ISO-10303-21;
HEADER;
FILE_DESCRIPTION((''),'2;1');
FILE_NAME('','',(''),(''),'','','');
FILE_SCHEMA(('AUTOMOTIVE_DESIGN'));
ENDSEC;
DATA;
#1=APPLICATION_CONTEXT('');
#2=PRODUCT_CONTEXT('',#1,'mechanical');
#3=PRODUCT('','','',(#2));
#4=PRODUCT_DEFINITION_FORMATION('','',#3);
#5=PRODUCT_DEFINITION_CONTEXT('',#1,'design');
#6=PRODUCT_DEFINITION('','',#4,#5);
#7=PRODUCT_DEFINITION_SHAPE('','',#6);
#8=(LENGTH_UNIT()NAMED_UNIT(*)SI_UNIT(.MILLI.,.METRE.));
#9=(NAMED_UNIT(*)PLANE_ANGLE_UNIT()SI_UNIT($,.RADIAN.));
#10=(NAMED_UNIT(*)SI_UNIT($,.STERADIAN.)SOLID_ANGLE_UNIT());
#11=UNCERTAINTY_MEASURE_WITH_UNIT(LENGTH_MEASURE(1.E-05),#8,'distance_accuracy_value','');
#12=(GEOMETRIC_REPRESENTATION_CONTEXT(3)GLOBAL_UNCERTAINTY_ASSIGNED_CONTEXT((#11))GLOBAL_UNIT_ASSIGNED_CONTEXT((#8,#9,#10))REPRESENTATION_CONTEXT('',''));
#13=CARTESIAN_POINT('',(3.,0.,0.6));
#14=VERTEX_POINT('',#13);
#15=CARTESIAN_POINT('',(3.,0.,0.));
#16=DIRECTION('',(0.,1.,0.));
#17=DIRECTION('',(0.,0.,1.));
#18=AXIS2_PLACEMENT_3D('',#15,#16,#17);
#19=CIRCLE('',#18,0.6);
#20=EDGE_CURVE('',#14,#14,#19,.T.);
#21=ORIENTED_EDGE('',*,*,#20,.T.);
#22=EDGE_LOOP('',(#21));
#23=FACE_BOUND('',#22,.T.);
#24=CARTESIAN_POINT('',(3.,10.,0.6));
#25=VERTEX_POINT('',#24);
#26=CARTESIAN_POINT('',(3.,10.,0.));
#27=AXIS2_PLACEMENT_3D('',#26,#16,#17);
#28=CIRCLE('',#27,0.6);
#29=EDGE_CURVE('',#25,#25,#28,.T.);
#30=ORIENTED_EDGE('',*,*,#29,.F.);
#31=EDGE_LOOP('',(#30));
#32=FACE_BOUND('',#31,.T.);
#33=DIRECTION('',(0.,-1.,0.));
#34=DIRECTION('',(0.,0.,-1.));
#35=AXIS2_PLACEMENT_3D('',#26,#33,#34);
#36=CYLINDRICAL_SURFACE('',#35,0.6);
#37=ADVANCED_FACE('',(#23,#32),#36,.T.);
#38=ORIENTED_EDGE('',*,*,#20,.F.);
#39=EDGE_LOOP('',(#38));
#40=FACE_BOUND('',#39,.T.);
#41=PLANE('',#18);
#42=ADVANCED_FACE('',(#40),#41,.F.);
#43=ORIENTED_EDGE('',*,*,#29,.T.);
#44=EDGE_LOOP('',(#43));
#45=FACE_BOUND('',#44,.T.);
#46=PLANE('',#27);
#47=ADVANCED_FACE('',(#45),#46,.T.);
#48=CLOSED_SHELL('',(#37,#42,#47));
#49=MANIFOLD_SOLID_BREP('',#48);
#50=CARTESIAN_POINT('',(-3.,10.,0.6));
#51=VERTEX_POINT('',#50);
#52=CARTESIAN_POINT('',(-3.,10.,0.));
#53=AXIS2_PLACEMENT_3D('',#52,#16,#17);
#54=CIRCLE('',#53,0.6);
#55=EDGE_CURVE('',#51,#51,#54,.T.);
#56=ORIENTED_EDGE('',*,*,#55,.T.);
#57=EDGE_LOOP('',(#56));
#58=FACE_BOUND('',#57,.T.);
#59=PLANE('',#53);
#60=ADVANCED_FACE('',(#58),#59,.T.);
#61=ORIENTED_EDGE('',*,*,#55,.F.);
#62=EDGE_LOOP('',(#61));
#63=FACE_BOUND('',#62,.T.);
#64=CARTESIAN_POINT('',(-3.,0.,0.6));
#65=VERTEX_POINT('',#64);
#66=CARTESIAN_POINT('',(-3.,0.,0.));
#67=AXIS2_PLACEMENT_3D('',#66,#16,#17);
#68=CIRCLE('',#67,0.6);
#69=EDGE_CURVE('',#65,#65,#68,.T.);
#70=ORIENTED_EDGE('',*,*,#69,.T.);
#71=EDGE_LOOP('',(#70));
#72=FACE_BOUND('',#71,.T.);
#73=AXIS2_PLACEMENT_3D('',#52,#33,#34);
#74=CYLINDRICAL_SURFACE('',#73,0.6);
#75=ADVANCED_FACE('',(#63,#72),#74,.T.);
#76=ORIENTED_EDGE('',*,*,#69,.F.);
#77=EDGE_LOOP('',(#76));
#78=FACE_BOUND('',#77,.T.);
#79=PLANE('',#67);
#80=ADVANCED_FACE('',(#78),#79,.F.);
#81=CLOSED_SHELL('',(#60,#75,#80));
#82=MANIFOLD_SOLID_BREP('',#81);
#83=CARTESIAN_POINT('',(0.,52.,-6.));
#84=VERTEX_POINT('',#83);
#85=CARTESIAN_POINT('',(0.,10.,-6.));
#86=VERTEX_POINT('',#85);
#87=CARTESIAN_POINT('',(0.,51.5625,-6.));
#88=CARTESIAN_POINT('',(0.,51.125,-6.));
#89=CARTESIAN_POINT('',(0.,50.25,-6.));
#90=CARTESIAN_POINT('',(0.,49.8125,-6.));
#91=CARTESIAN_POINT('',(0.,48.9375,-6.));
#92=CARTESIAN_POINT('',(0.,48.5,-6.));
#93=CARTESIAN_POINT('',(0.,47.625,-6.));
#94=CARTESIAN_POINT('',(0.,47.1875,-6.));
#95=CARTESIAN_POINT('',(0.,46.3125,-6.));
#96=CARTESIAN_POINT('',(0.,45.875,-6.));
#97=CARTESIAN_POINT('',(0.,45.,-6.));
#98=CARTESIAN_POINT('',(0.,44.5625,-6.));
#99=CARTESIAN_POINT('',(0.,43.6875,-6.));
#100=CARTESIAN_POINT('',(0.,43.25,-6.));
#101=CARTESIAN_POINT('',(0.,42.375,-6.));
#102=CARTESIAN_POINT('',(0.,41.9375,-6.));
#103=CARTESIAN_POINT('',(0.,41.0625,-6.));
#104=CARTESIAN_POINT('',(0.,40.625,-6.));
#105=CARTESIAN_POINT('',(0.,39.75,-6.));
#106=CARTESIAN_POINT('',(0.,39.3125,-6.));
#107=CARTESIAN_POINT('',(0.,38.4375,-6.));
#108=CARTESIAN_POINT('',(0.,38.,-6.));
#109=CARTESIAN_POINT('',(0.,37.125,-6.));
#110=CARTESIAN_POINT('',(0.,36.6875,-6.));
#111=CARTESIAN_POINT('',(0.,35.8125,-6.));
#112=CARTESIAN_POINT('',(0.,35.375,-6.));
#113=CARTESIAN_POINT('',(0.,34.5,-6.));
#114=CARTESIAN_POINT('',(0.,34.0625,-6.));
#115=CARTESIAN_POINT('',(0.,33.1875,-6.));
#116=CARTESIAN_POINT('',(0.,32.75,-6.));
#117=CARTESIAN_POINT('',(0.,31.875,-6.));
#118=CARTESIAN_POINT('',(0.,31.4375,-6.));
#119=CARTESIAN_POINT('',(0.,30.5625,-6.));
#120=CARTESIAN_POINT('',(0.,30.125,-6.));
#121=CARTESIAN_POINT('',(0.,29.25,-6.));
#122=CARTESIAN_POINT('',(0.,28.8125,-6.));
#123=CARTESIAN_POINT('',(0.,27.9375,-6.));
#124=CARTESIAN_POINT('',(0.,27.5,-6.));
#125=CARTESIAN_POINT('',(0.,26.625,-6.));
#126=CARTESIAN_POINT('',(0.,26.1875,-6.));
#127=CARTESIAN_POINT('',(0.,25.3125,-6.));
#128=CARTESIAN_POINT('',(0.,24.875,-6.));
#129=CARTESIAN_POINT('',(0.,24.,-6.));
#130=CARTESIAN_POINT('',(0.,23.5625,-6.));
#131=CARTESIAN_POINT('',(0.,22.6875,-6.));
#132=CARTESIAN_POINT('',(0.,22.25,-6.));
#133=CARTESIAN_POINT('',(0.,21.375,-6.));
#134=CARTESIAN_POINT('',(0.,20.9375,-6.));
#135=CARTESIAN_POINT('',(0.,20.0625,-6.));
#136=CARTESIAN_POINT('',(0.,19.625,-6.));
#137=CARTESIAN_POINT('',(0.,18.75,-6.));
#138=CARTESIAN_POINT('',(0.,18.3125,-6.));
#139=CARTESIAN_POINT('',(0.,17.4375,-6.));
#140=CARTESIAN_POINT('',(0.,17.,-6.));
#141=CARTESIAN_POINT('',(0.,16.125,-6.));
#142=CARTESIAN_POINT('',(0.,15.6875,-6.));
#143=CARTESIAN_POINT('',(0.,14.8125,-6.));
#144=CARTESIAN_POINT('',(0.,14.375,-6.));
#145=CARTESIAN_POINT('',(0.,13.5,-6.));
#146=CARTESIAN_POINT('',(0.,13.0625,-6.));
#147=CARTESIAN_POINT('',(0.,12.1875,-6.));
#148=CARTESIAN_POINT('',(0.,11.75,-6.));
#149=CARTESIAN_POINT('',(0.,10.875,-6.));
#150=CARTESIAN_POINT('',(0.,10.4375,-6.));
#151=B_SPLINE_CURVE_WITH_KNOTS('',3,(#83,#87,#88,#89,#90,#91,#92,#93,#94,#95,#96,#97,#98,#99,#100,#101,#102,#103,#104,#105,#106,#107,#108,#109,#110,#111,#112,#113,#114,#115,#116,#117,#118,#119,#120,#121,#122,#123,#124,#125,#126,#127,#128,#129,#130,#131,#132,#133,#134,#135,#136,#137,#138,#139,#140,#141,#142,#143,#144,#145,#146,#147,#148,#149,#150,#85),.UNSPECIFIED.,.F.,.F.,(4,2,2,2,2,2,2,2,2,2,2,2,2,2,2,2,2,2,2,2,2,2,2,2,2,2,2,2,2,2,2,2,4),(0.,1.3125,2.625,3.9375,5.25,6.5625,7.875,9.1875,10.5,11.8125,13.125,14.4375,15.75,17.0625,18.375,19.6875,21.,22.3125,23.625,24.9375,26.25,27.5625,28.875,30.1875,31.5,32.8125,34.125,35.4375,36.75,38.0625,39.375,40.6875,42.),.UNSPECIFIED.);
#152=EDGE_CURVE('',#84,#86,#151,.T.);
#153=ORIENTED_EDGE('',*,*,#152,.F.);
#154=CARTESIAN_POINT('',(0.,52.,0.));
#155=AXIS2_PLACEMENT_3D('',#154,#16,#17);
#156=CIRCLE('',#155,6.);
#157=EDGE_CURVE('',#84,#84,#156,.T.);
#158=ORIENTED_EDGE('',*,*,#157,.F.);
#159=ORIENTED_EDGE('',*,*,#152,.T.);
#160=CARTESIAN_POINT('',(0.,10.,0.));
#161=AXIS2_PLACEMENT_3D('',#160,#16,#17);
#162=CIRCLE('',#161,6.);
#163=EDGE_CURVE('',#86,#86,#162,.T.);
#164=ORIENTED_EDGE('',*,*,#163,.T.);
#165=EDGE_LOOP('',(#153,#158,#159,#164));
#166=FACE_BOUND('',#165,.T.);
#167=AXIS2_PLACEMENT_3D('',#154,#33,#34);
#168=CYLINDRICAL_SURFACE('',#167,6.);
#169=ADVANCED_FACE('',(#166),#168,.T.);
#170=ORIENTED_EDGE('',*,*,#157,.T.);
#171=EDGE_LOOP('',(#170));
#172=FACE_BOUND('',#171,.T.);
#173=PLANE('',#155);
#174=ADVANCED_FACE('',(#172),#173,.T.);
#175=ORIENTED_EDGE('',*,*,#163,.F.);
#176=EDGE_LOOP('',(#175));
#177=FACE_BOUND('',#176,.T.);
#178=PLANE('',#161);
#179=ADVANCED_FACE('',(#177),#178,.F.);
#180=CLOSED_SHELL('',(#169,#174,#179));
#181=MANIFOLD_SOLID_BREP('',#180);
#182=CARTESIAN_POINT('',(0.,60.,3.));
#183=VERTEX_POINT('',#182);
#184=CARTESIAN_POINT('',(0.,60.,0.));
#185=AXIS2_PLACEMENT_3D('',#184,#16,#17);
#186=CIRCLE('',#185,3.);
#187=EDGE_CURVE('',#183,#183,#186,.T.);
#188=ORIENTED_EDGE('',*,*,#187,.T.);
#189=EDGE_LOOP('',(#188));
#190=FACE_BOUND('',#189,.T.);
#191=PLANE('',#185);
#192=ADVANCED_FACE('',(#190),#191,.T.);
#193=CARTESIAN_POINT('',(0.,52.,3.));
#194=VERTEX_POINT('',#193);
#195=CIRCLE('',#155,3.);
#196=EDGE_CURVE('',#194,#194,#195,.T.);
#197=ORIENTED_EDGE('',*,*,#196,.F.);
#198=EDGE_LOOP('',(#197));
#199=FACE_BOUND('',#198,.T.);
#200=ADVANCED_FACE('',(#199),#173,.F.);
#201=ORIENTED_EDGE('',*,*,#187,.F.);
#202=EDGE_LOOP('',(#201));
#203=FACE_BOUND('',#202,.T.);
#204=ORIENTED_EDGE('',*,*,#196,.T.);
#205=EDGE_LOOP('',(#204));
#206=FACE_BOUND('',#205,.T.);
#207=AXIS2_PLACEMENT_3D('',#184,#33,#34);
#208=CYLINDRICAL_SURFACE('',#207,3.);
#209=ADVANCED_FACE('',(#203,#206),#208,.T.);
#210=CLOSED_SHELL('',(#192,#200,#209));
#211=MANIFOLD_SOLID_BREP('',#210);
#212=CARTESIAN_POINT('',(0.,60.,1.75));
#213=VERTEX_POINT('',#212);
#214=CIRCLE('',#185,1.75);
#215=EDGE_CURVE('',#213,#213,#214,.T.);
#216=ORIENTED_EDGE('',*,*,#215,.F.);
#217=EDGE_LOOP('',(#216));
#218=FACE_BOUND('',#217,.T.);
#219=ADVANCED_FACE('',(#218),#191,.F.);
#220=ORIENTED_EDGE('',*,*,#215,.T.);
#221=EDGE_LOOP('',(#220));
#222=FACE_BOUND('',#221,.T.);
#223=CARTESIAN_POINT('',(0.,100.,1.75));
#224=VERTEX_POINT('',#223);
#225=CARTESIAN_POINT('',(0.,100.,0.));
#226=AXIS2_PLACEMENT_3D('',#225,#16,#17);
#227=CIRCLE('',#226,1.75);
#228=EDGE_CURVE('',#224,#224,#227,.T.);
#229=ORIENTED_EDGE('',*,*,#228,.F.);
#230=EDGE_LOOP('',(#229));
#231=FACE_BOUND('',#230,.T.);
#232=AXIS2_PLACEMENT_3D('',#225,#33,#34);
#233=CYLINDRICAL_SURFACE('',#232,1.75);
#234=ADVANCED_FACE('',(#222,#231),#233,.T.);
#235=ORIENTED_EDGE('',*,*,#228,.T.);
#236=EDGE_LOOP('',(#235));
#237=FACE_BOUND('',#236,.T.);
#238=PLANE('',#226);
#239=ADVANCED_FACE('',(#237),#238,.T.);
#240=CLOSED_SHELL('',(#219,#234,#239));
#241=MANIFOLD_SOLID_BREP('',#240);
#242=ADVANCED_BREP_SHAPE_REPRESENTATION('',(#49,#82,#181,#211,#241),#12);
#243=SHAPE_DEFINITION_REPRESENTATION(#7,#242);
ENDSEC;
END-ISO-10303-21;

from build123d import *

# Parameters (mm, degrees)
SK_ELECTRODE_PINS_R    = 0.6
ELECTRODE_PINS_DEPTH   = 10
ELECTRODE_PINS_2_DEPTH = 10
PROBE_START            = 10
SK_PROBE_BODY_R        = 6
PROBE_BODY_DEPTH       = 42
STRAIN_START           = 52
SK_STRAIN_RELIEF_R     = 3
STRAIN_RELIEF_DEPTH    = 8
CABLE_START            = 60
SK_CABLE_R             = 1.75
CABLE_DEPTH            = 40


with BuildPart() as part:
    # SK Electrode pins → Electrode pins (new body)
    with BuildSketch(Plane(origin=(0, 0, 0), x_dir=(1, 0, 0), z_dir=(0, 1, 0))):
        with Locations(Location((-3, 0, 0), (0, 0, 270))):
            Circle(SK_ELECTRODE_PINS_R)
    extrude(amount=ELECTRODE_PINS_DEPTH)


with BuildPart() as body_2:
    # SK Electrode pins → Electrode pins 2 (new body)
    with BuildSketch(Plane(origin=(0, 0, 0), x_dir=(1, 0, 0), z_dir=(0, 1, 0))):
        with Locations(Location((3, 0, 0), (0, 0, 270))):
            Circle(SK_ELECTRODE_PINS_R)
    extrude(amount=ELECTRODE_PINS_2_DEPTH)


with BuildPart() as body_3:
    # SK Probe body → Probe body (new body)
    with BuildSketch(Plane(origin=(0, 0, 0), x_dir=(1, 0, 0), z_dir=(0, 1, 0)).offset(PROBE_START)):
        with Locations(Location((0, 0, 0), (0, 0, 90))):
            Circle(SK_PROBE_BODY_R)
    extrude(amount=PROBE_BODY_DEPTH)


with BuildPart() as body_4:
    # SK Strain relief → Strain relief (new body)
    with BuildSketch(Plane(origin=(0, 0, 0), x_dir=(1, 0, 0), z_dir=(0, 1, 0)).offset(STRAIN_START)):
        with Locations(Location((0, 0, 0), (0, 0, 270))):
            Circle(SK_STRAIN_RELIEF_R)
    extrude(amount=STRAIN_RELIEF_DEPTH)


with BuildPart() as body_5:
    # SK Cable → Cable (new body)
    with BuildSketch(Plane(origin=(0, 0, 0), x_dir=(1, 0, 0), z_dir=(0, 1, 0)).offset(CABLE_START)):
        with Locations(Location((0, 0, 0), (0, 0, 270))):
            Circle(SK_CABLE_R)
    extrude(amount=CABLE_DEPTH)


solid = Compound([part.part, body_2.part, body_3.part, body_4.part, body_5.part])
